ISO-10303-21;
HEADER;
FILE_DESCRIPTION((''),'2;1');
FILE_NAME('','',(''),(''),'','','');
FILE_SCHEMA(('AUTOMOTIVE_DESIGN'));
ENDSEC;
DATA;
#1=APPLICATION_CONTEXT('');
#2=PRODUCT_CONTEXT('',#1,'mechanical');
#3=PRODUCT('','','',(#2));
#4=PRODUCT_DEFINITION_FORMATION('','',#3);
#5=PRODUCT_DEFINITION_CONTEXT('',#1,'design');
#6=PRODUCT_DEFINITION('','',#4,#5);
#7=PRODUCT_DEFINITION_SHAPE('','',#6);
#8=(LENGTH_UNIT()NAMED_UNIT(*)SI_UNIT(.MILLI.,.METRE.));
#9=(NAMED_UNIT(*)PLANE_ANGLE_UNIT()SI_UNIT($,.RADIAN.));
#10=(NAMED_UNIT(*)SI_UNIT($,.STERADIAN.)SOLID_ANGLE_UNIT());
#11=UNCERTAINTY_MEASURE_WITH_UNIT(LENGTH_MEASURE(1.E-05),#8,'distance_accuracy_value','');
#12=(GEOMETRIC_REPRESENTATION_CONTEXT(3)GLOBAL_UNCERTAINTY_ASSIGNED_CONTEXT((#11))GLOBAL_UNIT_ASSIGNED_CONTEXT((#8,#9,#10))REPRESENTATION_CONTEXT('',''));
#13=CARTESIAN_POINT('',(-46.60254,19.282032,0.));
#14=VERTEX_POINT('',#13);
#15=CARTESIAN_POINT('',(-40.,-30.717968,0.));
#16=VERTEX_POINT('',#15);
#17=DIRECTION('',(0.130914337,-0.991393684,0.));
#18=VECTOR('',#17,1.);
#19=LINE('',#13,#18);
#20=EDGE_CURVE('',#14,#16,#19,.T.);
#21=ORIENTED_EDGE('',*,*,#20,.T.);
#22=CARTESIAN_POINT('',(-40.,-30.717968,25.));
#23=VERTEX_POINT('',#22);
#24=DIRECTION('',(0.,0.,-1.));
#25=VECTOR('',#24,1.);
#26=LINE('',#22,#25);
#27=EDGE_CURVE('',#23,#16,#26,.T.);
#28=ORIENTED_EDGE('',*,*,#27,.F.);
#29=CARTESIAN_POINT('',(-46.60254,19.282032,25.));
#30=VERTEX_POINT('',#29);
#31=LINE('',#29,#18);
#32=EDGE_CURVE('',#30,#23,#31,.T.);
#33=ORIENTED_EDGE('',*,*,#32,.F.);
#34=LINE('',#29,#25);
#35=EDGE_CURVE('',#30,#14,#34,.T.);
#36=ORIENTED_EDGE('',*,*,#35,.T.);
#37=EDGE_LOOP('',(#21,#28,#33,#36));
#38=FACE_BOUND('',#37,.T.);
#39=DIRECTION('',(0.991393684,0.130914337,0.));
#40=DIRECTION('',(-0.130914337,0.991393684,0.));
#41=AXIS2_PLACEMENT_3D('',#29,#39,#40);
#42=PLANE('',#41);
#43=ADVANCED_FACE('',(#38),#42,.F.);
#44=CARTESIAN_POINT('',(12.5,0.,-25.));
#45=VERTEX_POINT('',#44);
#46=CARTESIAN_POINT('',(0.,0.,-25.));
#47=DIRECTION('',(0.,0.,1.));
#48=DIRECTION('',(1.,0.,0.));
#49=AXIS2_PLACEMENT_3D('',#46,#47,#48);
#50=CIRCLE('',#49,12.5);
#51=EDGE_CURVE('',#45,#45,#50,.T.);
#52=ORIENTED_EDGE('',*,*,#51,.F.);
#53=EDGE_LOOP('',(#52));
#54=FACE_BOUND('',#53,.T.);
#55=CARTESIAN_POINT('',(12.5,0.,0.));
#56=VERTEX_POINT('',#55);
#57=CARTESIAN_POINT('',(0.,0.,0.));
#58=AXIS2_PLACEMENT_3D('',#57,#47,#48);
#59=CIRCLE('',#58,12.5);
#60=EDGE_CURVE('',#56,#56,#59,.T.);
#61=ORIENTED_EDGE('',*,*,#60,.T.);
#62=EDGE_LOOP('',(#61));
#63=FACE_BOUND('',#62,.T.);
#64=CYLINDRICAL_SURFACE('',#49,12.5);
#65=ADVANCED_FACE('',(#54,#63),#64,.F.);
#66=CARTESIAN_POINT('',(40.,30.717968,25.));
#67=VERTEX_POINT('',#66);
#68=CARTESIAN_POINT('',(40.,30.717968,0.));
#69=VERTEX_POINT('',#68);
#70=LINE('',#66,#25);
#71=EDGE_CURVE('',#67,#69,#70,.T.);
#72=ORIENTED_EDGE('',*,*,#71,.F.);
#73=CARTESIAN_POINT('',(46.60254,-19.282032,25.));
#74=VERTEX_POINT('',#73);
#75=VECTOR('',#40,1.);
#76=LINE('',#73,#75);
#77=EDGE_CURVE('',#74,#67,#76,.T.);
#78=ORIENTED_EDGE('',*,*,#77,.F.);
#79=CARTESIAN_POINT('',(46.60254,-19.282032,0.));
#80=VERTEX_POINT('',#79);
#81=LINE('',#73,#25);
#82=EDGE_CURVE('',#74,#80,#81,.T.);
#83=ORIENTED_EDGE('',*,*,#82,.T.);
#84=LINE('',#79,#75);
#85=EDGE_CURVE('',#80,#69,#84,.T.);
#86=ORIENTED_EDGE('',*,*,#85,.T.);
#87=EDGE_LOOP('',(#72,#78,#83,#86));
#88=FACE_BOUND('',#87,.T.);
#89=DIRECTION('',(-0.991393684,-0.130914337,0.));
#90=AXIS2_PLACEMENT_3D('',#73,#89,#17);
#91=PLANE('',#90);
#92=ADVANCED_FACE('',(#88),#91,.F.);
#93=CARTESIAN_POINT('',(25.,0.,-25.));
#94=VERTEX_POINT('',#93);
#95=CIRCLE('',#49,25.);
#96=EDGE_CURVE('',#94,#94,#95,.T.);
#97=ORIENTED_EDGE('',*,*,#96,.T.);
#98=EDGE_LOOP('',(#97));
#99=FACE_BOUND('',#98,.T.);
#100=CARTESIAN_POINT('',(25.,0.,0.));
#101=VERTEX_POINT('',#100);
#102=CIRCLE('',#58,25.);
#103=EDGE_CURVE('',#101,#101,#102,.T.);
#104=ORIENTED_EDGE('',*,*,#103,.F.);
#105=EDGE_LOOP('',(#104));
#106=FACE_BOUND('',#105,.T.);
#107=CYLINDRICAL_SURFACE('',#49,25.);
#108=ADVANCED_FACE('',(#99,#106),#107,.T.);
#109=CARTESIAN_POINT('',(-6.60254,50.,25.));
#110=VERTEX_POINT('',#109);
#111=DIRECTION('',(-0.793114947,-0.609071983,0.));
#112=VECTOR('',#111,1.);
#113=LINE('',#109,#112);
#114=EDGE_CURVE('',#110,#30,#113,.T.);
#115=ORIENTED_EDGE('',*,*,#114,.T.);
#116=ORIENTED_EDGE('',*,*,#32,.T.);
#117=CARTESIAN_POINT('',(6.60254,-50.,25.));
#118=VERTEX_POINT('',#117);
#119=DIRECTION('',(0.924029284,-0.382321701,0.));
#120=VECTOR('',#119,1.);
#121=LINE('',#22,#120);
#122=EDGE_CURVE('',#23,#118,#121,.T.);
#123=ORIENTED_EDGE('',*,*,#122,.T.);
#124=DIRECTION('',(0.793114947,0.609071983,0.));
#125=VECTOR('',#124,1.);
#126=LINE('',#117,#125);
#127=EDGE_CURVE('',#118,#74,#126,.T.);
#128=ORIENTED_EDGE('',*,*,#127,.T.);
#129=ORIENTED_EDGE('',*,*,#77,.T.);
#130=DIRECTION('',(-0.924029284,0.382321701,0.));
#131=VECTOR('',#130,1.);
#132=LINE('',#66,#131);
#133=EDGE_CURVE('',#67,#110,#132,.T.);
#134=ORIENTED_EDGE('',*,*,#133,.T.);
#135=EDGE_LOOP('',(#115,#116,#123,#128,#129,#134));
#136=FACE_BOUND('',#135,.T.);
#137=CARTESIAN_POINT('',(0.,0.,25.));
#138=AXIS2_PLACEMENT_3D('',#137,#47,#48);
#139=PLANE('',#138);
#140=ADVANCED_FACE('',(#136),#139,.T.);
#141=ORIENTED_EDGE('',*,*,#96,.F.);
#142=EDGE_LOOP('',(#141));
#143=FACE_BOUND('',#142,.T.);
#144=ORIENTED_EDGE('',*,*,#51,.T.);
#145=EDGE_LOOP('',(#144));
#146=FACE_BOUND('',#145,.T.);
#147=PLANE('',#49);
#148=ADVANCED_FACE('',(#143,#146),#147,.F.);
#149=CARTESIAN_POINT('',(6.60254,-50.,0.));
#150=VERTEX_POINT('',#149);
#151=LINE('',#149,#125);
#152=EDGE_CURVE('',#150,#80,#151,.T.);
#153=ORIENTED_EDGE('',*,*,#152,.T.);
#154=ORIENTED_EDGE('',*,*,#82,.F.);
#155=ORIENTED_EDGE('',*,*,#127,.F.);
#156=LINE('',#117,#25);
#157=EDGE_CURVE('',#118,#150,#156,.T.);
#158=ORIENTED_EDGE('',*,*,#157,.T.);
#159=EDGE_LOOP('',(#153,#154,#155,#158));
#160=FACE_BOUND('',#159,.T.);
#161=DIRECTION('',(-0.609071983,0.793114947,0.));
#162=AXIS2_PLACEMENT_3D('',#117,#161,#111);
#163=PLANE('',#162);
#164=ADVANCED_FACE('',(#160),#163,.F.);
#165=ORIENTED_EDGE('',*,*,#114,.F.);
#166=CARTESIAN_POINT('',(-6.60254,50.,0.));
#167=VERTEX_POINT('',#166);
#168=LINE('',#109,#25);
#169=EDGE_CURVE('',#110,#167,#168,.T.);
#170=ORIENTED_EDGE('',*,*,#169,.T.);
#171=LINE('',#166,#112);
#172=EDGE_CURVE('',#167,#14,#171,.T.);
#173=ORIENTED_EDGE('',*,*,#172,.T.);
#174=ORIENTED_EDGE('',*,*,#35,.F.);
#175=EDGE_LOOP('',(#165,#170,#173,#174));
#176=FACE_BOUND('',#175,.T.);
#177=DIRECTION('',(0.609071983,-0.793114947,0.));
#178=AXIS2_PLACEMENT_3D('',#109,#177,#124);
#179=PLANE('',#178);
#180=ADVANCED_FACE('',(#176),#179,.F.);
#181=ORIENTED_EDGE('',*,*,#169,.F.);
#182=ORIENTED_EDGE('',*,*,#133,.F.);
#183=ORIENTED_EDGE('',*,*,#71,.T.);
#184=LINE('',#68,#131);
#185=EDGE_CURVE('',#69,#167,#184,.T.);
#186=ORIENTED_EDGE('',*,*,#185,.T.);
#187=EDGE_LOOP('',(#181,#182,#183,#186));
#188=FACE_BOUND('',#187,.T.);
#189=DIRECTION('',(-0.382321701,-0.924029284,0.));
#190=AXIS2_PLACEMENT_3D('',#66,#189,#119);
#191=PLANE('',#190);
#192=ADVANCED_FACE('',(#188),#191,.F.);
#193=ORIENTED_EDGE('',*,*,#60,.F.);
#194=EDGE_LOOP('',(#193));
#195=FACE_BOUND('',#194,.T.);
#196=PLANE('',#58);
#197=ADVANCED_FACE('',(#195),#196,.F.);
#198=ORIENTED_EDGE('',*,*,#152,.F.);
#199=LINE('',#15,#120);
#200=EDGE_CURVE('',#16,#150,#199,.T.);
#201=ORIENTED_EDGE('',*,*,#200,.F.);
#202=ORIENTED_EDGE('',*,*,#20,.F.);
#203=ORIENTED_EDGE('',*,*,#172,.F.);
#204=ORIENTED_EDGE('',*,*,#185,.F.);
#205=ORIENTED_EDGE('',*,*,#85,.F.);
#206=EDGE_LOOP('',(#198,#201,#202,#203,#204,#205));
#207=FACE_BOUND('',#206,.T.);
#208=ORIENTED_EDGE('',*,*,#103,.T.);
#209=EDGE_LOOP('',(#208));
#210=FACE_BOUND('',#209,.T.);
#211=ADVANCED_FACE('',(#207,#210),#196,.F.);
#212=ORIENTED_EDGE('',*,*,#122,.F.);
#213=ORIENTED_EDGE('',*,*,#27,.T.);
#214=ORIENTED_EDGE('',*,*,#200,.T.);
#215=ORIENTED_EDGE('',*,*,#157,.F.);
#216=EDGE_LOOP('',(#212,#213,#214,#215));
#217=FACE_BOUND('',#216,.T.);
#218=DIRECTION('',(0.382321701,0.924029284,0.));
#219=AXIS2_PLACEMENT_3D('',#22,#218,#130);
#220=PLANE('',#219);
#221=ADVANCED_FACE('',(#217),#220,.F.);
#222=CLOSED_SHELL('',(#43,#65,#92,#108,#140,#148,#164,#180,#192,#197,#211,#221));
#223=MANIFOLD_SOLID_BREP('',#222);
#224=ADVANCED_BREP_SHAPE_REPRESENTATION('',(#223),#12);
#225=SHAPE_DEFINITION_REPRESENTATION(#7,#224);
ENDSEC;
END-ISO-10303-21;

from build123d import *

# Parameters (mm, degrees)
BOSS_EXTRU_1_DEPTH = 25
ESQUISSE2_R        = 25
ESQUISSE2_R_2      = 12.5
BOSS_EXTRU_2_DEPTH = 25


with BuildPart() as part:
    # Esquisse1 → Boss.-Extru.1 (new body)
    with BuildSketch(Plane(origin=(0, 0, 0), x_dir=(0, 1, 0), z_dir=(0, 0, 1))):
        Polygon((19.282032303, 46.602540378), (-30.717967697, 40), (-50, -6.602540378), (-19.282032303, -46.602540378), (30.717967697, -40), (50, 6.602540378), align=None)
    extrude(amount=BOSS_EXTRU_1_DEPTH)

    # Esquisse2 → Boss.-Extru.2 (add)
    with BuildSketch(Plane(origin=(0, 0, 0), x_dir=(0, 1, 0), z_dir=(0, 0, 1))):
        with Locations(Location((0, 0, 0), (0, 0, 270))):
            Circle(ESQUISSE2_R)
        with Locations(Location((0, 0, 0), (0, 0, 270))):
            Circle(ESQUISSE2_R_2, mode=Mode.SUBTRACT)
    extrude(amount=-BOSS_EXTRU_2_DEPTH)


solid = part.part
